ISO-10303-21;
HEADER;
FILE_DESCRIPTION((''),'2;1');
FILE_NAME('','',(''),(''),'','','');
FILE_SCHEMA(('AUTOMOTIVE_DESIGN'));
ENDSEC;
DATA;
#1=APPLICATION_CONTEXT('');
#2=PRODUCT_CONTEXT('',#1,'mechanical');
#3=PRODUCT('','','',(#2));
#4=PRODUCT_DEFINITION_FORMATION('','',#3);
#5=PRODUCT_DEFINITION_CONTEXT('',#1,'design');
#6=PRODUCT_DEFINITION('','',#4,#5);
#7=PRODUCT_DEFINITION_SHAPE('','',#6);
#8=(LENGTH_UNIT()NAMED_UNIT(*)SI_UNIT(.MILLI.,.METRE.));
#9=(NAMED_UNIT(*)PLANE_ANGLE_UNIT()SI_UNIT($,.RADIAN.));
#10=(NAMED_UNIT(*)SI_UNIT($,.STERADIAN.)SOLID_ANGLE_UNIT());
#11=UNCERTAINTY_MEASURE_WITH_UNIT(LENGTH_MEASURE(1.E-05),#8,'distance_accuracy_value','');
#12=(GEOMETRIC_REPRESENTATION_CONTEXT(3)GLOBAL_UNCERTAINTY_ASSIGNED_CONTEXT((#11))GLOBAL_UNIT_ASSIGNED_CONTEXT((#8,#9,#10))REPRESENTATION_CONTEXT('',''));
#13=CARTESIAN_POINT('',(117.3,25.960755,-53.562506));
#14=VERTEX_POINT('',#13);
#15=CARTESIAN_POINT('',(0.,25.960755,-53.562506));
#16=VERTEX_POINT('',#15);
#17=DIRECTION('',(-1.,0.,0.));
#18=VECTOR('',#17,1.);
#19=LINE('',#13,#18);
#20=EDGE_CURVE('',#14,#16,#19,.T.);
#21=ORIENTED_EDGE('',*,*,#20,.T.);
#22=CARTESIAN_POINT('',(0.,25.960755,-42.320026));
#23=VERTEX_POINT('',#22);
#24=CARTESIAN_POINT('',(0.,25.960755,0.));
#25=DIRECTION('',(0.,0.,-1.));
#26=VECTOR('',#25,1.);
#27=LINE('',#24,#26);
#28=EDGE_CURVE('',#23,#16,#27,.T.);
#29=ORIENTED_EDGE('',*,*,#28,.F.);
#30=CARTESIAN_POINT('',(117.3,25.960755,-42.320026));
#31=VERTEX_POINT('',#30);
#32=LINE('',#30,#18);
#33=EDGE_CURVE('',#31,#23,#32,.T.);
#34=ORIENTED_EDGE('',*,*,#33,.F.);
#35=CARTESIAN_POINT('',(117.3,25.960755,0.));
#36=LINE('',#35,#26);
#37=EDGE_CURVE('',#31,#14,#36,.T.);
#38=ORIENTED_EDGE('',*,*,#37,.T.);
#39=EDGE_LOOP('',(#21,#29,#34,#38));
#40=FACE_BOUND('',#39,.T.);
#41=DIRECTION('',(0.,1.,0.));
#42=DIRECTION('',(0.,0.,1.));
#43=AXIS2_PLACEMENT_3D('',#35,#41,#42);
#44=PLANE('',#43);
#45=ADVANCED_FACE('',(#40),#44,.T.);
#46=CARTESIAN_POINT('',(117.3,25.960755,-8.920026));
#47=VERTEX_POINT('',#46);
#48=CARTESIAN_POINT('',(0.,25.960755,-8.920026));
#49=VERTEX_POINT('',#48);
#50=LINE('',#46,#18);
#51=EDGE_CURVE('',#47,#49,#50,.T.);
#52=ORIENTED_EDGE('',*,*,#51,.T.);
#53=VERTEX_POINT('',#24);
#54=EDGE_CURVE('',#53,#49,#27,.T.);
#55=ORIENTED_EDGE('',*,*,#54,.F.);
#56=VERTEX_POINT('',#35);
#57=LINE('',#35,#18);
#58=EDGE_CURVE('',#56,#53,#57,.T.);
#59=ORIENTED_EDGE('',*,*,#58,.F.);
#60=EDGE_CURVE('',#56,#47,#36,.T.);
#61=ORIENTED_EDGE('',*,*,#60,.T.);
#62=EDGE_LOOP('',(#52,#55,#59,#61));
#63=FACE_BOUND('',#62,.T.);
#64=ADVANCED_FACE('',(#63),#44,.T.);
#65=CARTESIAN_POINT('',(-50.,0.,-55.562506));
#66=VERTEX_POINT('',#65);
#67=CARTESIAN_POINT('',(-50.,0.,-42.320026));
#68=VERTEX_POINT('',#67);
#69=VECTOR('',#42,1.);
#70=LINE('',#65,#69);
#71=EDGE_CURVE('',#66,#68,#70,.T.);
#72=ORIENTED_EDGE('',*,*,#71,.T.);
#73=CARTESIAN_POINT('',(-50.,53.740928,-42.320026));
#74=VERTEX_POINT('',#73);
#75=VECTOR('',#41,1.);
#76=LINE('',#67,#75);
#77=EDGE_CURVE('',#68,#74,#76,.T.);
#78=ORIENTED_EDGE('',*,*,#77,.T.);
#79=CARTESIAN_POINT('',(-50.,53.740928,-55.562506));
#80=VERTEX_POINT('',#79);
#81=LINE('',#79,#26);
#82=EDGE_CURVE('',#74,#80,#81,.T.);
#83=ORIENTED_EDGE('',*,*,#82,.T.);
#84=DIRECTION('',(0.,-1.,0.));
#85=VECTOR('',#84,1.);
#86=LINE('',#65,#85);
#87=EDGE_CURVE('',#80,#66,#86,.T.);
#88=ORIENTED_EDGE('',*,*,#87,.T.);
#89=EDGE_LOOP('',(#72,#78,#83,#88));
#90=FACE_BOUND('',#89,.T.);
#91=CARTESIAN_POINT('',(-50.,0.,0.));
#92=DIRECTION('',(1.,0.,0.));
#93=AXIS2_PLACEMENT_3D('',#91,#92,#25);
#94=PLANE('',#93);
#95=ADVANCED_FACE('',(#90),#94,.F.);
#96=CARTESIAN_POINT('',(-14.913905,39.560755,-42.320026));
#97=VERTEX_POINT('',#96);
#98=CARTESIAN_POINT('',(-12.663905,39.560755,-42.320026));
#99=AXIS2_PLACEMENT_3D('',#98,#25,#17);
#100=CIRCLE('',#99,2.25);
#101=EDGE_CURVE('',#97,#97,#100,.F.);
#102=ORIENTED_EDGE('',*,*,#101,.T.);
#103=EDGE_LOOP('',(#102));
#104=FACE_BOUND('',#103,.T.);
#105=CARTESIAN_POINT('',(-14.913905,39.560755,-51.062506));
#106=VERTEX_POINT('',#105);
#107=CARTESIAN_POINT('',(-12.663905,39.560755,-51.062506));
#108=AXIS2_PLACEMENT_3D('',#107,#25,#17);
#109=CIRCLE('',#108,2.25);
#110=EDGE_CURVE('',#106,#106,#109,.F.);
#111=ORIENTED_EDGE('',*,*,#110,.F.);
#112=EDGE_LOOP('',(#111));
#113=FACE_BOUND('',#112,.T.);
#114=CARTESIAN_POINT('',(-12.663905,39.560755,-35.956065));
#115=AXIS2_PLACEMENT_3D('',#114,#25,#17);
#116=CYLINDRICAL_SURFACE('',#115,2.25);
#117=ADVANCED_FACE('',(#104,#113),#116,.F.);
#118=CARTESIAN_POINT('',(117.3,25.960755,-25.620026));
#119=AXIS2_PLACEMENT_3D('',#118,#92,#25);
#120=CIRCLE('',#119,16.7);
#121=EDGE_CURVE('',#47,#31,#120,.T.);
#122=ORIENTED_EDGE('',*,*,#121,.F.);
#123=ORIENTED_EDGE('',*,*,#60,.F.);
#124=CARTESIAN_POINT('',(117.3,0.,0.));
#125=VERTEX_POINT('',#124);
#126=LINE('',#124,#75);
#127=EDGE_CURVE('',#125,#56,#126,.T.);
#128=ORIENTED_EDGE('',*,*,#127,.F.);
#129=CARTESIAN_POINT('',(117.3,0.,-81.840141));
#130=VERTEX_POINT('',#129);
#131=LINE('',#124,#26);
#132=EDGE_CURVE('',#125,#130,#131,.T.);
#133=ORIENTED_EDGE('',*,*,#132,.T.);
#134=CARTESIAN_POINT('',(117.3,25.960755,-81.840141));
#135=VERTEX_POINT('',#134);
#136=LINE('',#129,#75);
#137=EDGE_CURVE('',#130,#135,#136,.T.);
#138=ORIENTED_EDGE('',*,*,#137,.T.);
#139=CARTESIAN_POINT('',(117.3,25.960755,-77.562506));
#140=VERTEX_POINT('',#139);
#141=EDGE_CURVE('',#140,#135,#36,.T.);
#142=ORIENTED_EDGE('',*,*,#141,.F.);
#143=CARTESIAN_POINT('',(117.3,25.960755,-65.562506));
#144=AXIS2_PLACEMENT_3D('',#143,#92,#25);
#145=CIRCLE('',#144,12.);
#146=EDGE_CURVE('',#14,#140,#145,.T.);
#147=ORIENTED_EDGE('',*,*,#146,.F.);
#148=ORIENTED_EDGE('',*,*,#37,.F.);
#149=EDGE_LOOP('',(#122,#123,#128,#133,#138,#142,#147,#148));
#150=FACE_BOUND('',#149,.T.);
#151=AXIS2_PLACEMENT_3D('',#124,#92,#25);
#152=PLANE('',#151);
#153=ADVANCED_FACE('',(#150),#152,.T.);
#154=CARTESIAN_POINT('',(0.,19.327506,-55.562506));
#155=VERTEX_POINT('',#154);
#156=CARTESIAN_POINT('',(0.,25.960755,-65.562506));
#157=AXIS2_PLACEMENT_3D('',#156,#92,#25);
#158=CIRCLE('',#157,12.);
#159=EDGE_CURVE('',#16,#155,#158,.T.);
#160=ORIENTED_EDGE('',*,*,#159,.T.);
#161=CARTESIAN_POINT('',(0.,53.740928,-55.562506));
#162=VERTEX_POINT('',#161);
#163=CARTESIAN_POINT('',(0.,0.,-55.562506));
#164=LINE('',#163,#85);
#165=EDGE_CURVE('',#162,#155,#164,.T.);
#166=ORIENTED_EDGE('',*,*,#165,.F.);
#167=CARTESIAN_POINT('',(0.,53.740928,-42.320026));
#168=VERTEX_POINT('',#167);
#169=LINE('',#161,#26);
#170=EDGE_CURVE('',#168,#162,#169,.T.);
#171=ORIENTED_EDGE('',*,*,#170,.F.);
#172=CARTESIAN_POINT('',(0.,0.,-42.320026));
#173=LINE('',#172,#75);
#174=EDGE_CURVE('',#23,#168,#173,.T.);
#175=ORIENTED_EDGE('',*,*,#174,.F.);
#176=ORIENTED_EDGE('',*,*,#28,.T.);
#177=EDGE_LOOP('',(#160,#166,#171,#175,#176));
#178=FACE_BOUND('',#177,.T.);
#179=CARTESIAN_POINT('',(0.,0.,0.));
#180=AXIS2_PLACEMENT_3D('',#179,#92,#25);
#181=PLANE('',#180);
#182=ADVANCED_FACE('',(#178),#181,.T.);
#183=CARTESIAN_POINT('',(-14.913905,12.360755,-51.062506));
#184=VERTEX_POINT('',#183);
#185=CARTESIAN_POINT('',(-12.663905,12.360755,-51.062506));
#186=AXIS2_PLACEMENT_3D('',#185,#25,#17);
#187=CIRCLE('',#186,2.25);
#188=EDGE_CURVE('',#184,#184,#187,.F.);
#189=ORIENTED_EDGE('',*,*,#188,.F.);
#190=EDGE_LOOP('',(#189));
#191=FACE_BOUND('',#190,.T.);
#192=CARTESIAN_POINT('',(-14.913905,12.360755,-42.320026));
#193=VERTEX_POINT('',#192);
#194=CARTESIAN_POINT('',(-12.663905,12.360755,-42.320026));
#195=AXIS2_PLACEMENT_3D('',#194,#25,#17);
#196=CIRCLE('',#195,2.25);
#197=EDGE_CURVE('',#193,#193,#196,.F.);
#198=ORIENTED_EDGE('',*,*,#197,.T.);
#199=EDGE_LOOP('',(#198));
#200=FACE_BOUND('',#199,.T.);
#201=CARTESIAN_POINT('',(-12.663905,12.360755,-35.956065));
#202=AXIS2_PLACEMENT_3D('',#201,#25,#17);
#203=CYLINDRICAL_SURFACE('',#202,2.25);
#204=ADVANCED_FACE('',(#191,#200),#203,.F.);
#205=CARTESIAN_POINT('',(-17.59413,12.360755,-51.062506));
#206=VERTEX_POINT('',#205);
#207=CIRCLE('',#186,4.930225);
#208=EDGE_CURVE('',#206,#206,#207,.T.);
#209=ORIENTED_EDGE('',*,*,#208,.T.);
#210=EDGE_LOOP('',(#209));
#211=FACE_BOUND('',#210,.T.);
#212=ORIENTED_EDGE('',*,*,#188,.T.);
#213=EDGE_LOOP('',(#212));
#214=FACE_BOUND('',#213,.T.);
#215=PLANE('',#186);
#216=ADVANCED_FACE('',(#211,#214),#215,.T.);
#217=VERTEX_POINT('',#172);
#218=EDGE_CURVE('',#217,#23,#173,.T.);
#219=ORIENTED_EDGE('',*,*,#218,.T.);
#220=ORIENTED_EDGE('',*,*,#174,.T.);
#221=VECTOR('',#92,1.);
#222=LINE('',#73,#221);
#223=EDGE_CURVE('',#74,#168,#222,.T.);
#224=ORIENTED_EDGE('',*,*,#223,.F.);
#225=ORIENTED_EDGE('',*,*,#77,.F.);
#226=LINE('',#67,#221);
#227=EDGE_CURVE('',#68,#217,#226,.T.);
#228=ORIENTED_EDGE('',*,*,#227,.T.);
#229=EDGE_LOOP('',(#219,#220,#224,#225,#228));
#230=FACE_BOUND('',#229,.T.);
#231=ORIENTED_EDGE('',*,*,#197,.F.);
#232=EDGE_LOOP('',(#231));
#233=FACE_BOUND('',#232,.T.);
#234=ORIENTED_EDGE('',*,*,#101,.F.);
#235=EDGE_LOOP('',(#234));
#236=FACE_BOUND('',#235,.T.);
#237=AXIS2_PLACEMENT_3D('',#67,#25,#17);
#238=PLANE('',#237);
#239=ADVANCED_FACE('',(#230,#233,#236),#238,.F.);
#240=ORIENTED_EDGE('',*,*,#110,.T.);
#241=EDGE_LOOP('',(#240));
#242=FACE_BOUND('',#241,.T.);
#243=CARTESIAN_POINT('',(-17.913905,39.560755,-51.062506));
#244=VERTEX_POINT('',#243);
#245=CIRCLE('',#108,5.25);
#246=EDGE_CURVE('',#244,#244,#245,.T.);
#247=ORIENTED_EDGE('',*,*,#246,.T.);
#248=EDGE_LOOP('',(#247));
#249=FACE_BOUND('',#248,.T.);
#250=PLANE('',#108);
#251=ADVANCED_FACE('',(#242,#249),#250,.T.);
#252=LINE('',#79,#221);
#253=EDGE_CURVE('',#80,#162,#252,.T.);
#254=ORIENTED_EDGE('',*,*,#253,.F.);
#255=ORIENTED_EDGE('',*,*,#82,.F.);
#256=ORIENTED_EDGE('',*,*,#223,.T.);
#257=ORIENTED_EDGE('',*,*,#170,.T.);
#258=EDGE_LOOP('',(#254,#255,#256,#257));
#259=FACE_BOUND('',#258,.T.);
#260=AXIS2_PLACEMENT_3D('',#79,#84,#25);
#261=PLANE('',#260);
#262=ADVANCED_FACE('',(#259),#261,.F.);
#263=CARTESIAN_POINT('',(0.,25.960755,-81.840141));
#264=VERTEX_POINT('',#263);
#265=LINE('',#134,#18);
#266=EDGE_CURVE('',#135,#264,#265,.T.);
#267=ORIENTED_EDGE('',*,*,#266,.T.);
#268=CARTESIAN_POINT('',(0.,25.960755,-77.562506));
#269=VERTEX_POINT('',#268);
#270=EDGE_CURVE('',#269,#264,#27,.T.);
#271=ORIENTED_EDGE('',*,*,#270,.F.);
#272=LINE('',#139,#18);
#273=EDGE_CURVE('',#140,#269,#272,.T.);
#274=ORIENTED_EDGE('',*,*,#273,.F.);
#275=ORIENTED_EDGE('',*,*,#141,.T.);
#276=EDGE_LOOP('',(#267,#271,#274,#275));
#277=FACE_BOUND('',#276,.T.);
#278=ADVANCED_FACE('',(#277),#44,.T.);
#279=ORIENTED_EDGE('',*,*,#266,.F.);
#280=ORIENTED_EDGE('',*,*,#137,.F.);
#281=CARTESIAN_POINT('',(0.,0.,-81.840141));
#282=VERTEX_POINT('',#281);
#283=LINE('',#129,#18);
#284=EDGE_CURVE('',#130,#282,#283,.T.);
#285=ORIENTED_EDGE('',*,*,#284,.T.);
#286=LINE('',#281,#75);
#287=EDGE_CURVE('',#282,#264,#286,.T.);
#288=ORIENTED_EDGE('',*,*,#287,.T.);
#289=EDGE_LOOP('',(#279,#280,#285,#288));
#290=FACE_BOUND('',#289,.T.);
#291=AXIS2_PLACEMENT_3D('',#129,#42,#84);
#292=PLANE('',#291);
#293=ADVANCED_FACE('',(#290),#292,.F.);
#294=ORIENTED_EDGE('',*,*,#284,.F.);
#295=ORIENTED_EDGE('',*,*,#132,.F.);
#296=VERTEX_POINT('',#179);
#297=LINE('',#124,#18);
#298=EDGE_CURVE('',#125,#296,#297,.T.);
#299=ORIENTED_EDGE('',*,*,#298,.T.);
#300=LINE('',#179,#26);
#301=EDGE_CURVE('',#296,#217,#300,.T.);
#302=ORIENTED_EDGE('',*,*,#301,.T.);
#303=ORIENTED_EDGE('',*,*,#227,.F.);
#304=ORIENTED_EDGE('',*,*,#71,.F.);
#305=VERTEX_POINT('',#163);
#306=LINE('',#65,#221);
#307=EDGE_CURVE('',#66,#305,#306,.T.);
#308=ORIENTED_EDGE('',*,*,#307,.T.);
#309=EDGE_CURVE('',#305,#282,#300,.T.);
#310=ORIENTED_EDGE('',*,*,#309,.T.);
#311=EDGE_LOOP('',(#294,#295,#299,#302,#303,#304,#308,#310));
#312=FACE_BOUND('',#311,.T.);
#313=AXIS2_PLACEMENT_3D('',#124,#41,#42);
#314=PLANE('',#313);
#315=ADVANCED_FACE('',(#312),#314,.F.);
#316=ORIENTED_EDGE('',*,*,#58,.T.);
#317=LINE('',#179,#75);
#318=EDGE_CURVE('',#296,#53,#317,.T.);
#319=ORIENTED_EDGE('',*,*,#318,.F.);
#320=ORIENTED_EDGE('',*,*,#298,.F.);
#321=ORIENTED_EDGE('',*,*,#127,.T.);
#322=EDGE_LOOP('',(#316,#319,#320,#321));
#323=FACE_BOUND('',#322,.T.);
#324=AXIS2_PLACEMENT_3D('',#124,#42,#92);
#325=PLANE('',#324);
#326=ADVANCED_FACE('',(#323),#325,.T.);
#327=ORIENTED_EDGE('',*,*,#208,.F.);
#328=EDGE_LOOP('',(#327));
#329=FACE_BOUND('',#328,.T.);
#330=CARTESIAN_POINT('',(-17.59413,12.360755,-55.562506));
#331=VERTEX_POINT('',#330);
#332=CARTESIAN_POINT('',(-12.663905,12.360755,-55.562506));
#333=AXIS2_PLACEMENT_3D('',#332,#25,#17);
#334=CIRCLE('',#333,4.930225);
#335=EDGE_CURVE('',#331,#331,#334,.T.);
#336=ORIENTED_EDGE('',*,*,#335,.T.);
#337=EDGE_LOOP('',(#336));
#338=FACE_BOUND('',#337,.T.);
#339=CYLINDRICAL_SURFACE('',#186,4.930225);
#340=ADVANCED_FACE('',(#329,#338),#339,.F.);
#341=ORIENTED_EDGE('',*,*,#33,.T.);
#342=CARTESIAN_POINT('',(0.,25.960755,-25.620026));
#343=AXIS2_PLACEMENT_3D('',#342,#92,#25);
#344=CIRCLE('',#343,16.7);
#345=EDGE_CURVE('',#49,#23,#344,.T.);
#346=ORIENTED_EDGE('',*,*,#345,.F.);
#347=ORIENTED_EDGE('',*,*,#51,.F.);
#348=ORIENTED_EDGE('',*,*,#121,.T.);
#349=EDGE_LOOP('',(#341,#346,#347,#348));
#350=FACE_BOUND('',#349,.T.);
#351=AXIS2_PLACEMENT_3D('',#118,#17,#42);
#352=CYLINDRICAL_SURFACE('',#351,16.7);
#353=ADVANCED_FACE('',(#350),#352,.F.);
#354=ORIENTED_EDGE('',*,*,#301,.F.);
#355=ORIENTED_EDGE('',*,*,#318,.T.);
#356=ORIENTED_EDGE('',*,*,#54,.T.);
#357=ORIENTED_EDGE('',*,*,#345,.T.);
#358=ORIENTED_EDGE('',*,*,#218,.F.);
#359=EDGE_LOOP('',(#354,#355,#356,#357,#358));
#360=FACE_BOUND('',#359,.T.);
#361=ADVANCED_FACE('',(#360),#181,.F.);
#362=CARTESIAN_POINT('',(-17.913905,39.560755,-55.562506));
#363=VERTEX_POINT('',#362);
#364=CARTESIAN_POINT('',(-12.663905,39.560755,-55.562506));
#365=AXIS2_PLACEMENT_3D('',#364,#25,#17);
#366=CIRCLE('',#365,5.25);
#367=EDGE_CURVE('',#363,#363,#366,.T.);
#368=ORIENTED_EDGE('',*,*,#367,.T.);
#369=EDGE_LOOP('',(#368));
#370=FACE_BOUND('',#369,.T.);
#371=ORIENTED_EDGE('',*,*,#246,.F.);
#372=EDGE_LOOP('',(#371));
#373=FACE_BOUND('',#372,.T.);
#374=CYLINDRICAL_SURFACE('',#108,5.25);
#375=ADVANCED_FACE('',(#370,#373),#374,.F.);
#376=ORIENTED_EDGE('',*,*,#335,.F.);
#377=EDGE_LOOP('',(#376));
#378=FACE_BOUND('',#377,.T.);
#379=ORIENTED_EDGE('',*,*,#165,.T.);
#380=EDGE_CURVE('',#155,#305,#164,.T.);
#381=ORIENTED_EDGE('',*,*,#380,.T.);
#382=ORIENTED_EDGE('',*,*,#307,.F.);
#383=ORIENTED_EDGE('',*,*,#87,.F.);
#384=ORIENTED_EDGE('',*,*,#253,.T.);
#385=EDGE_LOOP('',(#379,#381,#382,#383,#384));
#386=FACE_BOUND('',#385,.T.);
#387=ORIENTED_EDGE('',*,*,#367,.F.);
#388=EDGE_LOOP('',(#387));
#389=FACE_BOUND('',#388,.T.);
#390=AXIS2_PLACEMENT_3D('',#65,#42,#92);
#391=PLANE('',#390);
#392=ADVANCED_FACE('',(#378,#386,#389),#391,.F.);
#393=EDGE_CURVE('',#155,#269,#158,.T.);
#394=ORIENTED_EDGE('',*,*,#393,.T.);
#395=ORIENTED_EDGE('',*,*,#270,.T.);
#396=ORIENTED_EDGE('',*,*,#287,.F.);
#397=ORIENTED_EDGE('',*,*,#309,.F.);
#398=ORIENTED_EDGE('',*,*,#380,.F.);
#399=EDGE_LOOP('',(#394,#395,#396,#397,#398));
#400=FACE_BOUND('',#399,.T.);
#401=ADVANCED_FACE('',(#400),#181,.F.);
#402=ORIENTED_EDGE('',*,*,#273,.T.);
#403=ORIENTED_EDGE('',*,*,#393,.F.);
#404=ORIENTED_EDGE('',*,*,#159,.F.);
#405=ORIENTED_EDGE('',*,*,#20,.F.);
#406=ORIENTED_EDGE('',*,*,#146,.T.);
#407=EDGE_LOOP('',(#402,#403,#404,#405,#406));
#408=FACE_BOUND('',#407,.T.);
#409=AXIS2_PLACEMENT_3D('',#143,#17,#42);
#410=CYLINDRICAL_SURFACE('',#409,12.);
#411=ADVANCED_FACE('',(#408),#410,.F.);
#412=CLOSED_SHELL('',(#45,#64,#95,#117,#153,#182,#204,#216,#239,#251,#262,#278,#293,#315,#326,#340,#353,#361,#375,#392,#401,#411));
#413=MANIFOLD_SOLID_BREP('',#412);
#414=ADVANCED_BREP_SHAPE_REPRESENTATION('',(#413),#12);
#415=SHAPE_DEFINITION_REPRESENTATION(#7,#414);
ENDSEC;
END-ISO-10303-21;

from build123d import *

# Parameters (mm, degrees)
BOSS_EXTRUDE1_DEPTH = 117.3
SKETCH7_W           = 13.242480008
SKETCH7_H           = 53.740928499
BOSS_EXTRUDE2_DEPTH = 50
SKETCH8_R           = 2.25
CUT_EXTRUDE1_DEPTH  = 13.242480008
SKETCH9_R           = 5.25
SKETCH9_R_2         = 4.930225291
CUT_EXTRUDE2_DEPTH  = 4.5


with BuildPart() as part:
    # Sketch1 → Boss-Extrude1 (new body)
    with BuildSketch(Plane(origin=(0, 0, 0), x_dir=(0, 0, -1), z_dir=(1, 0, 0))):
        with BuildLine():
            Line((0, 0), (81.840140947, 0))
            Line((81.840140947, 0), (81.840140947, 25.960755084))
            Line((81.840140947, 25.960755084), (77.562505861, 25.960755084))
            ThreePointArc((77.562505861, 25.960755084), (65.562505861, 13.960755084), (53.562505861, 25.960755084))
            Line((53.562505861, 25.960755084), (42.320025853, 25.960755084))
            ThreePointArc((42.320025853, 25.960755084), (25.620025853, 9.260755084), (8.920025853, 25.960755084))
            Line((8.920025853, 25.960755084), (0, 25.960755084))
            Line((0, 25.960755084), (0, 0))
        make_face()
    extrude(amount=BOSS_EXTRUDE1_DEPTH)

    # Sketch7 → Boss-Extrude2 (add)
    with BuildSketch(Plane.ZY):
        with Locations((-48.941265857, 26.87046425)):
            Rectangle(SKETCH7_W, SKETCH7_H)
    extrude(amount=BOSS_EXTRUDE2_DEPTH)

    # Sketch8 → Cut-Extrude1 (cut)
    with BuildSketch(Plane(origin=(0, 0, -55.562505861), x_dir=(-1, 0, 0), z_dir=(0, 0, -1))):
        with Locations((12.663905134, 39.560755084)):
            Circle(SKETCH8_R)
        with Locations((12.663905134, 12.360755084)):
            Circle(SKETCH8_R)
    extrude(amount=-CUT_EXTRUDE1_DEPTH, mode=Mode.SUBTRACT)

    # Sketch9 → Cut-Extrude2 (cut)
    with BuildSketch(Plane(origin=(0, 0, -55.562505861), x_dir=(-1, 0, 0), z_dir=(0, 0, -1))):
        with Locations((12.663905134, 39.560755084)):
            Circle(SKETCH9_R)
        with Locations((12.663905134, 12.360755084)):
            Circle(SKETCH9_R_2)
    extrude(amount=-CUT_EXTRUDE2_DEPTH, mode=Mode.SUBTRACT)


solid = part.part
